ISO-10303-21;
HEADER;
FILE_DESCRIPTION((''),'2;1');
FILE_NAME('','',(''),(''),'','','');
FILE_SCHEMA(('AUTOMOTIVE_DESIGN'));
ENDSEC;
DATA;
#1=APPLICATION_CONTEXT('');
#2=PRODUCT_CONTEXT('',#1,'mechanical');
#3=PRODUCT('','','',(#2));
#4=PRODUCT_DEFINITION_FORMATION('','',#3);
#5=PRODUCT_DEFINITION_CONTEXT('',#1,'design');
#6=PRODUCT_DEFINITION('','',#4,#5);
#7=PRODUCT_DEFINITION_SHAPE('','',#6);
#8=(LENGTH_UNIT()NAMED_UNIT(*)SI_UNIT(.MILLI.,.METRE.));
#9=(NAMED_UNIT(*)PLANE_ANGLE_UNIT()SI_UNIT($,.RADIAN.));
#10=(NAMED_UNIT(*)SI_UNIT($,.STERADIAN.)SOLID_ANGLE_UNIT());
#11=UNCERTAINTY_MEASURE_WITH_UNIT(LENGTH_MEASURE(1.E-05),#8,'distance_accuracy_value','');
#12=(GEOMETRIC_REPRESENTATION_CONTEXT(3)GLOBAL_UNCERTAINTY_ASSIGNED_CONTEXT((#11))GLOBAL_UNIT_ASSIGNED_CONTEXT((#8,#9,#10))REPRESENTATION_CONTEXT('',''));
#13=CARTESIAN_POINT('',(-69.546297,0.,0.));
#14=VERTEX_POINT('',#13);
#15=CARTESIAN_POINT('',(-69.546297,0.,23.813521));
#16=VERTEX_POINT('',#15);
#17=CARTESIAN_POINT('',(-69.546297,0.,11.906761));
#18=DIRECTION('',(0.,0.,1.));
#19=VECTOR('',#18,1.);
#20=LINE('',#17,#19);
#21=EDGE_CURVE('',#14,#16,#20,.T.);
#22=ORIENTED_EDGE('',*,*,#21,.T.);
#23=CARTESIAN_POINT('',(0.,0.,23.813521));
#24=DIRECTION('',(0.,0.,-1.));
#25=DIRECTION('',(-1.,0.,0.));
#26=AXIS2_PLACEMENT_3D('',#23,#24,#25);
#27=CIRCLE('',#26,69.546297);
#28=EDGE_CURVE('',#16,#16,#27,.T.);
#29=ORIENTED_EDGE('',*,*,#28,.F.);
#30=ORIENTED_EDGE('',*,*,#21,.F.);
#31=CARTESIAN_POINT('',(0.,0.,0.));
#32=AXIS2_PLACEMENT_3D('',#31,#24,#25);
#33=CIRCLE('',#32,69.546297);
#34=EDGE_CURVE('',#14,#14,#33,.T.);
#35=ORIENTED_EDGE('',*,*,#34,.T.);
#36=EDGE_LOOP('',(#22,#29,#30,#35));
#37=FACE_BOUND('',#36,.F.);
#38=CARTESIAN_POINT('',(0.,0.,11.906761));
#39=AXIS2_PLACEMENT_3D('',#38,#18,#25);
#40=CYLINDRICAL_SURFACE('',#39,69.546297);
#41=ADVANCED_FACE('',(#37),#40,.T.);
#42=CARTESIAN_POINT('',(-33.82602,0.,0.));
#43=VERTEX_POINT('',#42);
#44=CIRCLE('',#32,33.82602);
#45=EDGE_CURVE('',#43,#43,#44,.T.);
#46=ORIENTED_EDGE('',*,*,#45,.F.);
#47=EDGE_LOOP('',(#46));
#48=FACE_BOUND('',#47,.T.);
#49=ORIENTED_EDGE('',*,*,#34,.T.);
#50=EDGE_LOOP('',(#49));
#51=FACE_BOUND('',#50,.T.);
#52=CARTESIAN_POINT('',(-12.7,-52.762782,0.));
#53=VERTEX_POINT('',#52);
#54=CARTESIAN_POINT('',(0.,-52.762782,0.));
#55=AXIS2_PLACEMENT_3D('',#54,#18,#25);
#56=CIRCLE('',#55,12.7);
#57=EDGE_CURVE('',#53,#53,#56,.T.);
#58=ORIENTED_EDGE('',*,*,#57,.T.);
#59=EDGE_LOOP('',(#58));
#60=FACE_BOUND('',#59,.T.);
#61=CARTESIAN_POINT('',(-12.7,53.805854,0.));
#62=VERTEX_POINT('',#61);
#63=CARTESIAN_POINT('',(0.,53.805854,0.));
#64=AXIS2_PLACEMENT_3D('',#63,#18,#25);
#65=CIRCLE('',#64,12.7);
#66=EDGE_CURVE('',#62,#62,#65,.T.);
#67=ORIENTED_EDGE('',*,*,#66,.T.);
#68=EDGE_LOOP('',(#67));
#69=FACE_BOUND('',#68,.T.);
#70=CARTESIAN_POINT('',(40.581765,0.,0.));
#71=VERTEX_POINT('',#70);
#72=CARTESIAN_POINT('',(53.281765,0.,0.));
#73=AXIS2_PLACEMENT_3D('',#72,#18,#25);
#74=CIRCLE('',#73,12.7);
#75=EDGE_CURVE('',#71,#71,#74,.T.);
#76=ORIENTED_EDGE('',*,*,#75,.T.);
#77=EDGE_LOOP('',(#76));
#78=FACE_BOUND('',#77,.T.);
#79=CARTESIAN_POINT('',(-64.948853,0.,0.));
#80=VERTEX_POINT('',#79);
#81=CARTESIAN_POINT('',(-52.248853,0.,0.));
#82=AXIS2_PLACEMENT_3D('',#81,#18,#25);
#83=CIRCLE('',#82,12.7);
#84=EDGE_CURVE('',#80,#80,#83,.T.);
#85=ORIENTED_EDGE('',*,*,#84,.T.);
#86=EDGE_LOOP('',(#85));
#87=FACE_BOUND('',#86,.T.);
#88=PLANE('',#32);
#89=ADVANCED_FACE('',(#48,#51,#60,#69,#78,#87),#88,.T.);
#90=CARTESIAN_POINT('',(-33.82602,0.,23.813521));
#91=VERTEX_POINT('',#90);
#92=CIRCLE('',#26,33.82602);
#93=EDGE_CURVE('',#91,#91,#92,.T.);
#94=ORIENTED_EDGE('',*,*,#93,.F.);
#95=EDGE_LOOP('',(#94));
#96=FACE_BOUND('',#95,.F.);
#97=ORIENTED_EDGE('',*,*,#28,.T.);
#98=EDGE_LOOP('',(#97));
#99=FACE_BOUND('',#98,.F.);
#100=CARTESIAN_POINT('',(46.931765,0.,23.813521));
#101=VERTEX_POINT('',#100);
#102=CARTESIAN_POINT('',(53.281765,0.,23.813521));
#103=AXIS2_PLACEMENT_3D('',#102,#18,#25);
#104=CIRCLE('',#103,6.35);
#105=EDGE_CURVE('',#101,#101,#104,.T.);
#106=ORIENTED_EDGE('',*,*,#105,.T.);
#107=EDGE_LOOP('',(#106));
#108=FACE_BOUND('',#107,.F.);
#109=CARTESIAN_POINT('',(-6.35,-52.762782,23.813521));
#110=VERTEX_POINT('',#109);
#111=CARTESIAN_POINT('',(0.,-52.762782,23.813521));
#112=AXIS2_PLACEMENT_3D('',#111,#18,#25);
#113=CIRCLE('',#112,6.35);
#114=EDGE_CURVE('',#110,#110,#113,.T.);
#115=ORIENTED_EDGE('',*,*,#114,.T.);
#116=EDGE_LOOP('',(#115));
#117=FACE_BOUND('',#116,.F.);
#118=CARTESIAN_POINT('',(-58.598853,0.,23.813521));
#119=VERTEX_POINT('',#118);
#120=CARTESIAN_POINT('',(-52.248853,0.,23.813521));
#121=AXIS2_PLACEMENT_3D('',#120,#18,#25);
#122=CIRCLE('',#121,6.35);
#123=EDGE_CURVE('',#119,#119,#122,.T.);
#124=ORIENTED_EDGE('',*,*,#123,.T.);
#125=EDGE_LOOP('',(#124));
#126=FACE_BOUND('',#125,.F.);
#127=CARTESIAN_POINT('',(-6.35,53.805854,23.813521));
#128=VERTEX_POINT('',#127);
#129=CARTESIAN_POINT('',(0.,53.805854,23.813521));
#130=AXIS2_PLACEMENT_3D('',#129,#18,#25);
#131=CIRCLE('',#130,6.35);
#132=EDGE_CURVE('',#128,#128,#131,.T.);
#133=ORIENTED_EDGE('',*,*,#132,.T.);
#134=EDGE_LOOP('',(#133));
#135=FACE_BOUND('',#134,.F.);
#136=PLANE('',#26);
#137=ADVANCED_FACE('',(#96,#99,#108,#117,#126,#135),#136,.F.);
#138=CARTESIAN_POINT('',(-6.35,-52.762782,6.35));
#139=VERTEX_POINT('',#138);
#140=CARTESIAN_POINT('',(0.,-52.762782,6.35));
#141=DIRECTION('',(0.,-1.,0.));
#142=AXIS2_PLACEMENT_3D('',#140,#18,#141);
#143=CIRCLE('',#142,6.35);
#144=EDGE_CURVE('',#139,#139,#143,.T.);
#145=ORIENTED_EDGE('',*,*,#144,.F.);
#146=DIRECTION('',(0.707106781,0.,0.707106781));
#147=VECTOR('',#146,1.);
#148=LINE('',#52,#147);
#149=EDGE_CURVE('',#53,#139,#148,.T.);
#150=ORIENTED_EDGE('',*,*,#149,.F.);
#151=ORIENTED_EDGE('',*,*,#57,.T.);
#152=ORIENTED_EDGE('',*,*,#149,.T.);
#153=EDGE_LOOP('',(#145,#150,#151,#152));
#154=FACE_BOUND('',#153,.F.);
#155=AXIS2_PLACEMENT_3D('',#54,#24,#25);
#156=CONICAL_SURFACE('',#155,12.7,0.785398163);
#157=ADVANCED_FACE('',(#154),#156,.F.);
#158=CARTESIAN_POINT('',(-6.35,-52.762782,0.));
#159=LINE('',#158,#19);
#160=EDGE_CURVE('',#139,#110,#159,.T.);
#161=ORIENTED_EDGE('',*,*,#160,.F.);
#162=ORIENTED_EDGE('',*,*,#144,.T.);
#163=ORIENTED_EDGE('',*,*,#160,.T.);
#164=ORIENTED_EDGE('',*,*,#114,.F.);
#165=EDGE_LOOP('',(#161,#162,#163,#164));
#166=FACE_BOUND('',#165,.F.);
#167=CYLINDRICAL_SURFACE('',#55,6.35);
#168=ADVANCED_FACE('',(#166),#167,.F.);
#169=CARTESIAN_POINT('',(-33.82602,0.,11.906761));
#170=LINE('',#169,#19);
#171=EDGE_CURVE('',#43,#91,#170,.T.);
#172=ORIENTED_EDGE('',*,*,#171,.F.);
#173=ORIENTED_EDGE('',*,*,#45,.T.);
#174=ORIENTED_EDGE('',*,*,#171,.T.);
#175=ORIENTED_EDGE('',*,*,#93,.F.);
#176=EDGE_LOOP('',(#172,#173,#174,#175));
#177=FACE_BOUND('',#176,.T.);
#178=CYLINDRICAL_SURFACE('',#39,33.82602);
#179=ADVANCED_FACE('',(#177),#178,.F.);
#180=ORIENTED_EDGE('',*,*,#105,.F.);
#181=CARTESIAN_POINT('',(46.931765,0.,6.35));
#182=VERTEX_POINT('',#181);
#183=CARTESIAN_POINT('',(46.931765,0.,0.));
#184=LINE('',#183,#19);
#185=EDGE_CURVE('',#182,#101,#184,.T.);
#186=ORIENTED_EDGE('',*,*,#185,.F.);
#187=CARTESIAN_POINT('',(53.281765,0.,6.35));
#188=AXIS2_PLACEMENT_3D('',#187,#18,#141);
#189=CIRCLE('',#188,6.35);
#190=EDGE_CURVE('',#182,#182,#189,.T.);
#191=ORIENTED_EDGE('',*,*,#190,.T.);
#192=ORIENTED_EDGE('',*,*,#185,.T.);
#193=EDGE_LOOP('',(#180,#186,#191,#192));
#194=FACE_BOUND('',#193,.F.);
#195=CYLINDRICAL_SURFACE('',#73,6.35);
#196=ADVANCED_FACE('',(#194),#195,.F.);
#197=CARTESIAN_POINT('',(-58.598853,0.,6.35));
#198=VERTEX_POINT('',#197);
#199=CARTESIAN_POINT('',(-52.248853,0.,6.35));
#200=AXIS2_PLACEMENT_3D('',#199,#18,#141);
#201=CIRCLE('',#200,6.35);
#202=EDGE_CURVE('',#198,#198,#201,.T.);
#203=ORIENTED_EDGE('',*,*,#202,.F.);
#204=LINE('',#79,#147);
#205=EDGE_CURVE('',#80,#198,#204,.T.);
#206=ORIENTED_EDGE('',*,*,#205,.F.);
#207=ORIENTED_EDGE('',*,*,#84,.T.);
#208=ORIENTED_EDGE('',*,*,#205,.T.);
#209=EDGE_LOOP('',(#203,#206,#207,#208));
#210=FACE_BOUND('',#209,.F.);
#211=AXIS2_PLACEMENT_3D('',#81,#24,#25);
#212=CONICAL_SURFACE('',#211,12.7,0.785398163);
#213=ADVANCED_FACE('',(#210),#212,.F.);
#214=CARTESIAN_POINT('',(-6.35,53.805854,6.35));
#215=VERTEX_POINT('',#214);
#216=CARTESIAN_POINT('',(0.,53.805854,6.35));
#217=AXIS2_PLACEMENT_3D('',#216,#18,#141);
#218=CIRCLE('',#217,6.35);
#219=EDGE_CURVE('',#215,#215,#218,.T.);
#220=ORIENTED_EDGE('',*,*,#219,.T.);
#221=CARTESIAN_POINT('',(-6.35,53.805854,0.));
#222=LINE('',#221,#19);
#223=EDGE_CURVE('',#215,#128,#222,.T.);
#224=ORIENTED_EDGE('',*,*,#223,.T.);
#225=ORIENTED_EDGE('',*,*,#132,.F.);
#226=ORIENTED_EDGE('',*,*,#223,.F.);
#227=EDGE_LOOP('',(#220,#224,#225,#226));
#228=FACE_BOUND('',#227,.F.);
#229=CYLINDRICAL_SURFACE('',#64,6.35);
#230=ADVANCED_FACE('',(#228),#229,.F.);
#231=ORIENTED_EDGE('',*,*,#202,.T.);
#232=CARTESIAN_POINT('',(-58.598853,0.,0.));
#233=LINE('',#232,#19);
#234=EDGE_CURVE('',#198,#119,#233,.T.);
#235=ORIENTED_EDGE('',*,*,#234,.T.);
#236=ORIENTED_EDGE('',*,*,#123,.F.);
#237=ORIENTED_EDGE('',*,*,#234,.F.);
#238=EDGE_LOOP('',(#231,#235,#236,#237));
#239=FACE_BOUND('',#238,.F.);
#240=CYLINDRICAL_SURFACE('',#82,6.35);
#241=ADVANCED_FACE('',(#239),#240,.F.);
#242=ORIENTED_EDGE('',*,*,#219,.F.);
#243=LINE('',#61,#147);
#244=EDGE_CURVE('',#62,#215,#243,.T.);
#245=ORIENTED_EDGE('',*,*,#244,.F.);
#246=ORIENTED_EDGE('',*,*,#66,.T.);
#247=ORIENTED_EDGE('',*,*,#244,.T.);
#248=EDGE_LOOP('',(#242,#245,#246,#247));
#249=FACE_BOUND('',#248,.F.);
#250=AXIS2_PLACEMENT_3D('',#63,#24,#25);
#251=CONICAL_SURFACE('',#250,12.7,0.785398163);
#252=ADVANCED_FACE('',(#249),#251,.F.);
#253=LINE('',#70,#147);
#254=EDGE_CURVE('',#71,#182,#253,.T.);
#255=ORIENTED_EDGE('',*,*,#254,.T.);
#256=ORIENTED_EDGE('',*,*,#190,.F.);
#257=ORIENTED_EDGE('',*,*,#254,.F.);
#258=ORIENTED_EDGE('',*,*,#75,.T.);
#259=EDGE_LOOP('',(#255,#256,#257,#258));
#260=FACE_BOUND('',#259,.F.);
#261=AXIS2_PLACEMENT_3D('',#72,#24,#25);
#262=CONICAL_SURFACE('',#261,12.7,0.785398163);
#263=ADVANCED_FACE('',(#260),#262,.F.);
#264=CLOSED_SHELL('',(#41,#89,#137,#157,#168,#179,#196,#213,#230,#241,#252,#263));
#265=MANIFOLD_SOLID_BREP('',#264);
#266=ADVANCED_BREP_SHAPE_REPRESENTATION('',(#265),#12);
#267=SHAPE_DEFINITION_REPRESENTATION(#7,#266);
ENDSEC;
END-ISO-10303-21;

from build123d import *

# Parameters (mm, degrees)
F0_W           = 35.7202775776
F0_H           = 23.8135214895
F3_D           = 12.7
F3_CSINK_D     = 25.4
F3_CSINK_ANGLE = 90


with BuildPart() as f1:
    # F0 (on Front) → F1 (revolve)
    with BuildSketch(Plane.XZ):
        with Locations((-51.6861584038, 11.9067607448)):
            Rectangle(F0_W, F0_H)
    revolve(axis=Axis((0, 0, -4.6003386378), (0, 0, -1)))

    # F3 (through all)
    with Locations(Plane(origin=(0, 0, 0), x_dir=(1, 0, 0), z_dir=(0, 0, -1))):
        with Locations((53.2817654312, 0), (0, 52.7627815072), (-52.2488526769, 0), (0, -53.8058541715)):
            CounterSinkHole(F3_D / 2, F3_CSINK_D / 2, counter_sink_angle=F3_CSINK_ANGLE)


solid = f1.part
